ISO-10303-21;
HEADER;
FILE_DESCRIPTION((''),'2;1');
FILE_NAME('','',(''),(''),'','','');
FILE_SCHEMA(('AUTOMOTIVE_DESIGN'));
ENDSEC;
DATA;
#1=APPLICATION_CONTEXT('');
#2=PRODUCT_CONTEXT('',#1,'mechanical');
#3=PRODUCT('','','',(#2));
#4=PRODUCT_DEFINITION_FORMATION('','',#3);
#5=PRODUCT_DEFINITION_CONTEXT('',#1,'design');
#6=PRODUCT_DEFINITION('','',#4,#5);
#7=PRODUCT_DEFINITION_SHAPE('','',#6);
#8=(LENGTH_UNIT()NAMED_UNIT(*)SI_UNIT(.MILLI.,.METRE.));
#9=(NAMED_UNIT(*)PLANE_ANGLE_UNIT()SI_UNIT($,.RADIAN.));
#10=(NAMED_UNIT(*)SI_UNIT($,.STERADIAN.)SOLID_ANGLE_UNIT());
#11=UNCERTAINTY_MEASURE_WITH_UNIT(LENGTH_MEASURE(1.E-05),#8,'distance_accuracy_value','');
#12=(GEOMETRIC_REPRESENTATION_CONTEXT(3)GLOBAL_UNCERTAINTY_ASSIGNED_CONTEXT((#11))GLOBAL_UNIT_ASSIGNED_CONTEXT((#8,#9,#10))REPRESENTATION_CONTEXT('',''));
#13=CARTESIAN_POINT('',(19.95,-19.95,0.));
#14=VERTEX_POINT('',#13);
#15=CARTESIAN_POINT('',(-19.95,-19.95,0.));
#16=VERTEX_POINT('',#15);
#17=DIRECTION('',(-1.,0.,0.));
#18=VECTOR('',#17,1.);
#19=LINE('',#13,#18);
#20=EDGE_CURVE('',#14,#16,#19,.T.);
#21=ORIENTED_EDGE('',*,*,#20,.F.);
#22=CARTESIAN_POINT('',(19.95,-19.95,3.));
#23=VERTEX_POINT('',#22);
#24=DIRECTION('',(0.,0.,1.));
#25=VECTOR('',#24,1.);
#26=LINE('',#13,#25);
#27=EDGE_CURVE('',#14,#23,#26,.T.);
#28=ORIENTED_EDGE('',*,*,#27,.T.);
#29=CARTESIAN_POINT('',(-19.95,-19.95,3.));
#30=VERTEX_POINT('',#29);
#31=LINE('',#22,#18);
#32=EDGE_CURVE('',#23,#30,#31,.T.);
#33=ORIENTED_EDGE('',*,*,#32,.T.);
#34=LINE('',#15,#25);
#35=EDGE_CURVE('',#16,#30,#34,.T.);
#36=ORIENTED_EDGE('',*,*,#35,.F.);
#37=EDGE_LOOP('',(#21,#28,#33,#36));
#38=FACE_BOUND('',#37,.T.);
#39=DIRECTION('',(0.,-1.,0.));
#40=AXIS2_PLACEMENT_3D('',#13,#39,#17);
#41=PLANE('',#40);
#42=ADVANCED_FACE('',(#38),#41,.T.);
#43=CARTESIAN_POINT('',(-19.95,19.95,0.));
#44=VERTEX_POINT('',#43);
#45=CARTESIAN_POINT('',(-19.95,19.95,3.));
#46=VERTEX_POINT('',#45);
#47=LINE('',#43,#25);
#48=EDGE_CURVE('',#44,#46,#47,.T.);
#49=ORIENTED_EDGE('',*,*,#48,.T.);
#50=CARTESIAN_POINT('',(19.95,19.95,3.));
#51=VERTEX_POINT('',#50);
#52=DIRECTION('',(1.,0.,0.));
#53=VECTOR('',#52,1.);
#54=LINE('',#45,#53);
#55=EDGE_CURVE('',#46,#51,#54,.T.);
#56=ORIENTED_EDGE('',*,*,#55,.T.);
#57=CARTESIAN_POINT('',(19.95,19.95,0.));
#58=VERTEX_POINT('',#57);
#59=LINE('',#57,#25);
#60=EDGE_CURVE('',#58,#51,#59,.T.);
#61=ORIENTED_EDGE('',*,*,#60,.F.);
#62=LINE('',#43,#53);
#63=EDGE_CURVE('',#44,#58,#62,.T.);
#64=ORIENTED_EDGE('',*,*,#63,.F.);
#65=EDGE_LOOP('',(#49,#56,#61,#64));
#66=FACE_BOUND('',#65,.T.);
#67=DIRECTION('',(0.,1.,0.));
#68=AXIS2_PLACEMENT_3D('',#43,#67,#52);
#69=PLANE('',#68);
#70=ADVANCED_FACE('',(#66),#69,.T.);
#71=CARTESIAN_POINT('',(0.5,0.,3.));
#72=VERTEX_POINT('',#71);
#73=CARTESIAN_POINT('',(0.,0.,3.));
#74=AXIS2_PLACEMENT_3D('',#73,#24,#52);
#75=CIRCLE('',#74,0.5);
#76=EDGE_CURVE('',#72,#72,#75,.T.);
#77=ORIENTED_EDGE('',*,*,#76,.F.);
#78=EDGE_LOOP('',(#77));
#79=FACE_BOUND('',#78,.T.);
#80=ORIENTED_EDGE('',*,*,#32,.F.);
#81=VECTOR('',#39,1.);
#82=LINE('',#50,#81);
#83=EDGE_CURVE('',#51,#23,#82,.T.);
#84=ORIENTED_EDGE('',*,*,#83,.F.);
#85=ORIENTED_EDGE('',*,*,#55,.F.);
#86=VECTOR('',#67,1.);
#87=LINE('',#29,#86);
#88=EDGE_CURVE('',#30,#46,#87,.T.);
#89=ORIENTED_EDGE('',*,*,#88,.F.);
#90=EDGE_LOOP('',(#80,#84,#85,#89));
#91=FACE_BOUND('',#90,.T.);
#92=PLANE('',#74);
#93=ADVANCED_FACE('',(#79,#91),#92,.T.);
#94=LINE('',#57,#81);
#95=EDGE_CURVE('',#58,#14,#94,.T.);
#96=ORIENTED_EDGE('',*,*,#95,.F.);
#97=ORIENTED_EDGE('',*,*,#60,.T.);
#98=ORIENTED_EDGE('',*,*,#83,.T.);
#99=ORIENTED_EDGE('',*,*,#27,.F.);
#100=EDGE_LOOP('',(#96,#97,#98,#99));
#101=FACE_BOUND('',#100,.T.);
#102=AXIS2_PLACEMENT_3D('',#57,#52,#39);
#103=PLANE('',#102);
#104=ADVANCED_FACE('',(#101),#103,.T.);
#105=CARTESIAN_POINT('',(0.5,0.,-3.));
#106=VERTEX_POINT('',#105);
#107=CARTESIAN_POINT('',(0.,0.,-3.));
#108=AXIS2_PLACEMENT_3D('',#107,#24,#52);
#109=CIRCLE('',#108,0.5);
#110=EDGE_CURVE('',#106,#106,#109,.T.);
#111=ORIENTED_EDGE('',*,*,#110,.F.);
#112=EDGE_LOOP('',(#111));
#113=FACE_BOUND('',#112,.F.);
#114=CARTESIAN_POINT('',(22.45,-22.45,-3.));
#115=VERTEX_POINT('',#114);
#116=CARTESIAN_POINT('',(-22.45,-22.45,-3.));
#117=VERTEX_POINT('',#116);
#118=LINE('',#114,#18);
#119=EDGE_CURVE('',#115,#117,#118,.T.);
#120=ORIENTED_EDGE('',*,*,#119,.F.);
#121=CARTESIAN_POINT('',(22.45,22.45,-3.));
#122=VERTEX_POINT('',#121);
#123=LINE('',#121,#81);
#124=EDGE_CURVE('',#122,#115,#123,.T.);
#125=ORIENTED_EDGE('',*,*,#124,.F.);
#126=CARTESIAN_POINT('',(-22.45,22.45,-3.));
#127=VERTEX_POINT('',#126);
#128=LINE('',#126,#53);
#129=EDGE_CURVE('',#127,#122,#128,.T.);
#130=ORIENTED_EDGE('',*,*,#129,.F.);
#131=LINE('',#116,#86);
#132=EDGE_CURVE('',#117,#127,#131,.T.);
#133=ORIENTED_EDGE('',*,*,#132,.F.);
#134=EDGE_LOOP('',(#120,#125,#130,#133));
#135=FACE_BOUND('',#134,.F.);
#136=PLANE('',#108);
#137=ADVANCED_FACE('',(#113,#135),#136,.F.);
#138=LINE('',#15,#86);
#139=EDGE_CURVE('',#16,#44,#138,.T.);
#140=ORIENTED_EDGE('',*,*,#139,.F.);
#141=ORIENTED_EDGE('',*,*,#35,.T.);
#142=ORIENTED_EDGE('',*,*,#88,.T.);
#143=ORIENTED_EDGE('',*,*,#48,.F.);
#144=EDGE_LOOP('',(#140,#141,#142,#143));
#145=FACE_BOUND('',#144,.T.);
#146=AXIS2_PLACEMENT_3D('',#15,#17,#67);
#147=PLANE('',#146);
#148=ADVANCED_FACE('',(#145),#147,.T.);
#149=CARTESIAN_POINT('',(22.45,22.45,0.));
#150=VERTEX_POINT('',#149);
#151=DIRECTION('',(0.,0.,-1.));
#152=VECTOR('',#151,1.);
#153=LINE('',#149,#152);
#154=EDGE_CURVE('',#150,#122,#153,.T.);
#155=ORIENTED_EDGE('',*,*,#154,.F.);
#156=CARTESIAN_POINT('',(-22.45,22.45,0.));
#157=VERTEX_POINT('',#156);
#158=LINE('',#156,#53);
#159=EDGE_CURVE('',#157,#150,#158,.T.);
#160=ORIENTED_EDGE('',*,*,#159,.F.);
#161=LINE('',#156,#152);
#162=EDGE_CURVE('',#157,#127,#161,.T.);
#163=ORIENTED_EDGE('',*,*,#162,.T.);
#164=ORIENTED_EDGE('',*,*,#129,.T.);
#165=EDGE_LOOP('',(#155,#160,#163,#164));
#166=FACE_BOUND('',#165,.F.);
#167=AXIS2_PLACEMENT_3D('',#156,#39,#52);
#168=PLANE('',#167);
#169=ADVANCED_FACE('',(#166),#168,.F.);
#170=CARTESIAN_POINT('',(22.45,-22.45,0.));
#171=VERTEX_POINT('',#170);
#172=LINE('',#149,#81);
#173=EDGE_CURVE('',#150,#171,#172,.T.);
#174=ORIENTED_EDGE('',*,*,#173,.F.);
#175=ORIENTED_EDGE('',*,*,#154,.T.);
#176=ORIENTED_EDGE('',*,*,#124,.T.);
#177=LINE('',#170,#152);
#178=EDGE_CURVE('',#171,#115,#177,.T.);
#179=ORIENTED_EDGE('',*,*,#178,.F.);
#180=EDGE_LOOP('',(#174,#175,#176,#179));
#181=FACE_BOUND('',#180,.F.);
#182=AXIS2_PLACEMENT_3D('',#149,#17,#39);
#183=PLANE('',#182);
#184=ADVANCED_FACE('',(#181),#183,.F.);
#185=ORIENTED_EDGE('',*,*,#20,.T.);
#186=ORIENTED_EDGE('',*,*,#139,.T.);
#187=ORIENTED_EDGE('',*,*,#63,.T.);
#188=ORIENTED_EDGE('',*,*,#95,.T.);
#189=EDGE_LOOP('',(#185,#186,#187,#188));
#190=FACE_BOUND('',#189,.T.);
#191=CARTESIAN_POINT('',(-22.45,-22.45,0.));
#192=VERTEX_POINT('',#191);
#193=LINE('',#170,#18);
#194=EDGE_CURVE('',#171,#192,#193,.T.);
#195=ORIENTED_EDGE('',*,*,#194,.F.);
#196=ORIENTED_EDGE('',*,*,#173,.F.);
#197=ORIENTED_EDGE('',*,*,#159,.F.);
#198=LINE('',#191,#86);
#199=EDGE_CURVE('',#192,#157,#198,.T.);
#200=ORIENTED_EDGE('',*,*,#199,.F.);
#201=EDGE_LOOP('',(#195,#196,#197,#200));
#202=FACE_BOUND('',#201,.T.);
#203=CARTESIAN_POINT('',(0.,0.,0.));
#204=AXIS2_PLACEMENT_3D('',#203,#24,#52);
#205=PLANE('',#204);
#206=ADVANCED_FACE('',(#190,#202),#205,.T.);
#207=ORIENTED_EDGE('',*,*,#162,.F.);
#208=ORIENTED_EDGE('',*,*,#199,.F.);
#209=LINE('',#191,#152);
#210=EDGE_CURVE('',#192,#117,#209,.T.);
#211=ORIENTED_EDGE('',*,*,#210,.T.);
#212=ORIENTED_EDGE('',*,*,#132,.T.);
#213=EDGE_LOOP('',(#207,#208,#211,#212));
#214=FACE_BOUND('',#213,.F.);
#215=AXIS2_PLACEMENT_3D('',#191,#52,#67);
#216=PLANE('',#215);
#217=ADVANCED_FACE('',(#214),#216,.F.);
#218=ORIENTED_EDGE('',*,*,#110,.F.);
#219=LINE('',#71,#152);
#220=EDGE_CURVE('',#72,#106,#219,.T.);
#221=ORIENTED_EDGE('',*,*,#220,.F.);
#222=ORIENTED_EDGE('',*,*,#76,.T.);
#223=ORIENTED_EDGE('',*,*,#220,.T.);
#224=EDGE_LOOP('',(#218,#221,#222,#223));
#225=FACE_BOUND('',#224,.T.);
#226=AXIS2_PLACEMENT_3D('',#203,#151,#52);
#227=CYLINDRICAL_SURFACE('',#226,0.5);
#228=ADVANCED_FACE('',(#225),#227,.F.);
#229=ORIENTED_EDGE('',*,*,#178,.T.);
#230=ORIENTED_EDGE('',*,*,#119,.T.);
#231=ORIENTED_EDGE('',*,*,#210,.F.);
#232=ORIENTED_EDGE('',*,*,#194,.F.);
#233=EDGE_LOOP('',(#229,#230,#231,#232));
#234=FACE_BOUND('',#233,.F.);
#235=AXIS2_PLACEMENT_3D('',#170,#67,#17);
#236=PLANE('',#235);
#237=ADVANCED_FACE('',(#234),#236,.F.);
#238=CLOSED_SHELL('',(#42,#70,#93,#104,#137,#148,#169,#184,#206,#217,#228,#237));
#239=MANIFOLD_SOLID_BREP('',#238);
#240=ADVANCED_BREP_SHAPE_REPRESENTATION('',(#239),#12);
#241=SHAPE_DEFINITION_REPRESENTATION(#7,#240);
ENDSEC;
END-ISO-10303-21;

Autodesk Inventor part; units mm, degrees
ref_plane "YZ Plane" through (0, 0, 0) normal (1, 0, 0) x (0, 1, 0)
ref_plane "XZ Plane" through (0, 0, 0) normal (0, 1, 0) x (-1, 0, 0)
ref_plane "XY Plane" through (0, 0, 0) normal (0, 0, 1) x (1, 0, 0)
sketch "Sketch1" plane through (0, 0, 0) normal (0, 0, 1) x (1, 0, 0)
  line L0 (19.95, -19.95) -> (-19.95, -19.95)
  line L1 (-19.95, -19.95) -> (-19.95, 19.95)
  line L2 (-19.95, 19.95) -> (19.95, 19.95)
  line L3 (19.95, 19.95) -> (19.95, -19.95)
  line L4 (19.95, -19.95) -> (-19.95, 19.95) construction
  line L5 (-19.95, -19.95) -> (19.95, 19.95) construction
  circle A0 centre (0, 0) radius 0.5
  line L6 (22.45, -22.45) -> (-22.45, -22.45)
  line L7 (-22.45, -22.45) -> (-22.45, 22.45)
  line L8 (-22.45, 22.45) -> (22.45, 22.45)
  line L9 (22.45, 22.45) -> (22.45, -22.45)
  line L10 (22.45, -22.45) -> (-22.45, 22.45) construction
  line L11 (-22.45, -22.45) -> (22.45, 22.45) construction
  dimension "d2" = 39.9
  dimension "d3" = 39.9
  dimension "d4" = 1
  dimension "d5" = 44.9
  dimension "d6" = 44.9
extrude "Extrusion1" add sketch "Sketch1" along normal blind 3 contours L0 L1 L2 L3
extrude "Extrusion2" add sketch "Sketch1" against normal blind 3 contours L0 L1 L2 L3 | L6 L7 L8 L9
properties part number "Large-cuvette-cap-40mm"
